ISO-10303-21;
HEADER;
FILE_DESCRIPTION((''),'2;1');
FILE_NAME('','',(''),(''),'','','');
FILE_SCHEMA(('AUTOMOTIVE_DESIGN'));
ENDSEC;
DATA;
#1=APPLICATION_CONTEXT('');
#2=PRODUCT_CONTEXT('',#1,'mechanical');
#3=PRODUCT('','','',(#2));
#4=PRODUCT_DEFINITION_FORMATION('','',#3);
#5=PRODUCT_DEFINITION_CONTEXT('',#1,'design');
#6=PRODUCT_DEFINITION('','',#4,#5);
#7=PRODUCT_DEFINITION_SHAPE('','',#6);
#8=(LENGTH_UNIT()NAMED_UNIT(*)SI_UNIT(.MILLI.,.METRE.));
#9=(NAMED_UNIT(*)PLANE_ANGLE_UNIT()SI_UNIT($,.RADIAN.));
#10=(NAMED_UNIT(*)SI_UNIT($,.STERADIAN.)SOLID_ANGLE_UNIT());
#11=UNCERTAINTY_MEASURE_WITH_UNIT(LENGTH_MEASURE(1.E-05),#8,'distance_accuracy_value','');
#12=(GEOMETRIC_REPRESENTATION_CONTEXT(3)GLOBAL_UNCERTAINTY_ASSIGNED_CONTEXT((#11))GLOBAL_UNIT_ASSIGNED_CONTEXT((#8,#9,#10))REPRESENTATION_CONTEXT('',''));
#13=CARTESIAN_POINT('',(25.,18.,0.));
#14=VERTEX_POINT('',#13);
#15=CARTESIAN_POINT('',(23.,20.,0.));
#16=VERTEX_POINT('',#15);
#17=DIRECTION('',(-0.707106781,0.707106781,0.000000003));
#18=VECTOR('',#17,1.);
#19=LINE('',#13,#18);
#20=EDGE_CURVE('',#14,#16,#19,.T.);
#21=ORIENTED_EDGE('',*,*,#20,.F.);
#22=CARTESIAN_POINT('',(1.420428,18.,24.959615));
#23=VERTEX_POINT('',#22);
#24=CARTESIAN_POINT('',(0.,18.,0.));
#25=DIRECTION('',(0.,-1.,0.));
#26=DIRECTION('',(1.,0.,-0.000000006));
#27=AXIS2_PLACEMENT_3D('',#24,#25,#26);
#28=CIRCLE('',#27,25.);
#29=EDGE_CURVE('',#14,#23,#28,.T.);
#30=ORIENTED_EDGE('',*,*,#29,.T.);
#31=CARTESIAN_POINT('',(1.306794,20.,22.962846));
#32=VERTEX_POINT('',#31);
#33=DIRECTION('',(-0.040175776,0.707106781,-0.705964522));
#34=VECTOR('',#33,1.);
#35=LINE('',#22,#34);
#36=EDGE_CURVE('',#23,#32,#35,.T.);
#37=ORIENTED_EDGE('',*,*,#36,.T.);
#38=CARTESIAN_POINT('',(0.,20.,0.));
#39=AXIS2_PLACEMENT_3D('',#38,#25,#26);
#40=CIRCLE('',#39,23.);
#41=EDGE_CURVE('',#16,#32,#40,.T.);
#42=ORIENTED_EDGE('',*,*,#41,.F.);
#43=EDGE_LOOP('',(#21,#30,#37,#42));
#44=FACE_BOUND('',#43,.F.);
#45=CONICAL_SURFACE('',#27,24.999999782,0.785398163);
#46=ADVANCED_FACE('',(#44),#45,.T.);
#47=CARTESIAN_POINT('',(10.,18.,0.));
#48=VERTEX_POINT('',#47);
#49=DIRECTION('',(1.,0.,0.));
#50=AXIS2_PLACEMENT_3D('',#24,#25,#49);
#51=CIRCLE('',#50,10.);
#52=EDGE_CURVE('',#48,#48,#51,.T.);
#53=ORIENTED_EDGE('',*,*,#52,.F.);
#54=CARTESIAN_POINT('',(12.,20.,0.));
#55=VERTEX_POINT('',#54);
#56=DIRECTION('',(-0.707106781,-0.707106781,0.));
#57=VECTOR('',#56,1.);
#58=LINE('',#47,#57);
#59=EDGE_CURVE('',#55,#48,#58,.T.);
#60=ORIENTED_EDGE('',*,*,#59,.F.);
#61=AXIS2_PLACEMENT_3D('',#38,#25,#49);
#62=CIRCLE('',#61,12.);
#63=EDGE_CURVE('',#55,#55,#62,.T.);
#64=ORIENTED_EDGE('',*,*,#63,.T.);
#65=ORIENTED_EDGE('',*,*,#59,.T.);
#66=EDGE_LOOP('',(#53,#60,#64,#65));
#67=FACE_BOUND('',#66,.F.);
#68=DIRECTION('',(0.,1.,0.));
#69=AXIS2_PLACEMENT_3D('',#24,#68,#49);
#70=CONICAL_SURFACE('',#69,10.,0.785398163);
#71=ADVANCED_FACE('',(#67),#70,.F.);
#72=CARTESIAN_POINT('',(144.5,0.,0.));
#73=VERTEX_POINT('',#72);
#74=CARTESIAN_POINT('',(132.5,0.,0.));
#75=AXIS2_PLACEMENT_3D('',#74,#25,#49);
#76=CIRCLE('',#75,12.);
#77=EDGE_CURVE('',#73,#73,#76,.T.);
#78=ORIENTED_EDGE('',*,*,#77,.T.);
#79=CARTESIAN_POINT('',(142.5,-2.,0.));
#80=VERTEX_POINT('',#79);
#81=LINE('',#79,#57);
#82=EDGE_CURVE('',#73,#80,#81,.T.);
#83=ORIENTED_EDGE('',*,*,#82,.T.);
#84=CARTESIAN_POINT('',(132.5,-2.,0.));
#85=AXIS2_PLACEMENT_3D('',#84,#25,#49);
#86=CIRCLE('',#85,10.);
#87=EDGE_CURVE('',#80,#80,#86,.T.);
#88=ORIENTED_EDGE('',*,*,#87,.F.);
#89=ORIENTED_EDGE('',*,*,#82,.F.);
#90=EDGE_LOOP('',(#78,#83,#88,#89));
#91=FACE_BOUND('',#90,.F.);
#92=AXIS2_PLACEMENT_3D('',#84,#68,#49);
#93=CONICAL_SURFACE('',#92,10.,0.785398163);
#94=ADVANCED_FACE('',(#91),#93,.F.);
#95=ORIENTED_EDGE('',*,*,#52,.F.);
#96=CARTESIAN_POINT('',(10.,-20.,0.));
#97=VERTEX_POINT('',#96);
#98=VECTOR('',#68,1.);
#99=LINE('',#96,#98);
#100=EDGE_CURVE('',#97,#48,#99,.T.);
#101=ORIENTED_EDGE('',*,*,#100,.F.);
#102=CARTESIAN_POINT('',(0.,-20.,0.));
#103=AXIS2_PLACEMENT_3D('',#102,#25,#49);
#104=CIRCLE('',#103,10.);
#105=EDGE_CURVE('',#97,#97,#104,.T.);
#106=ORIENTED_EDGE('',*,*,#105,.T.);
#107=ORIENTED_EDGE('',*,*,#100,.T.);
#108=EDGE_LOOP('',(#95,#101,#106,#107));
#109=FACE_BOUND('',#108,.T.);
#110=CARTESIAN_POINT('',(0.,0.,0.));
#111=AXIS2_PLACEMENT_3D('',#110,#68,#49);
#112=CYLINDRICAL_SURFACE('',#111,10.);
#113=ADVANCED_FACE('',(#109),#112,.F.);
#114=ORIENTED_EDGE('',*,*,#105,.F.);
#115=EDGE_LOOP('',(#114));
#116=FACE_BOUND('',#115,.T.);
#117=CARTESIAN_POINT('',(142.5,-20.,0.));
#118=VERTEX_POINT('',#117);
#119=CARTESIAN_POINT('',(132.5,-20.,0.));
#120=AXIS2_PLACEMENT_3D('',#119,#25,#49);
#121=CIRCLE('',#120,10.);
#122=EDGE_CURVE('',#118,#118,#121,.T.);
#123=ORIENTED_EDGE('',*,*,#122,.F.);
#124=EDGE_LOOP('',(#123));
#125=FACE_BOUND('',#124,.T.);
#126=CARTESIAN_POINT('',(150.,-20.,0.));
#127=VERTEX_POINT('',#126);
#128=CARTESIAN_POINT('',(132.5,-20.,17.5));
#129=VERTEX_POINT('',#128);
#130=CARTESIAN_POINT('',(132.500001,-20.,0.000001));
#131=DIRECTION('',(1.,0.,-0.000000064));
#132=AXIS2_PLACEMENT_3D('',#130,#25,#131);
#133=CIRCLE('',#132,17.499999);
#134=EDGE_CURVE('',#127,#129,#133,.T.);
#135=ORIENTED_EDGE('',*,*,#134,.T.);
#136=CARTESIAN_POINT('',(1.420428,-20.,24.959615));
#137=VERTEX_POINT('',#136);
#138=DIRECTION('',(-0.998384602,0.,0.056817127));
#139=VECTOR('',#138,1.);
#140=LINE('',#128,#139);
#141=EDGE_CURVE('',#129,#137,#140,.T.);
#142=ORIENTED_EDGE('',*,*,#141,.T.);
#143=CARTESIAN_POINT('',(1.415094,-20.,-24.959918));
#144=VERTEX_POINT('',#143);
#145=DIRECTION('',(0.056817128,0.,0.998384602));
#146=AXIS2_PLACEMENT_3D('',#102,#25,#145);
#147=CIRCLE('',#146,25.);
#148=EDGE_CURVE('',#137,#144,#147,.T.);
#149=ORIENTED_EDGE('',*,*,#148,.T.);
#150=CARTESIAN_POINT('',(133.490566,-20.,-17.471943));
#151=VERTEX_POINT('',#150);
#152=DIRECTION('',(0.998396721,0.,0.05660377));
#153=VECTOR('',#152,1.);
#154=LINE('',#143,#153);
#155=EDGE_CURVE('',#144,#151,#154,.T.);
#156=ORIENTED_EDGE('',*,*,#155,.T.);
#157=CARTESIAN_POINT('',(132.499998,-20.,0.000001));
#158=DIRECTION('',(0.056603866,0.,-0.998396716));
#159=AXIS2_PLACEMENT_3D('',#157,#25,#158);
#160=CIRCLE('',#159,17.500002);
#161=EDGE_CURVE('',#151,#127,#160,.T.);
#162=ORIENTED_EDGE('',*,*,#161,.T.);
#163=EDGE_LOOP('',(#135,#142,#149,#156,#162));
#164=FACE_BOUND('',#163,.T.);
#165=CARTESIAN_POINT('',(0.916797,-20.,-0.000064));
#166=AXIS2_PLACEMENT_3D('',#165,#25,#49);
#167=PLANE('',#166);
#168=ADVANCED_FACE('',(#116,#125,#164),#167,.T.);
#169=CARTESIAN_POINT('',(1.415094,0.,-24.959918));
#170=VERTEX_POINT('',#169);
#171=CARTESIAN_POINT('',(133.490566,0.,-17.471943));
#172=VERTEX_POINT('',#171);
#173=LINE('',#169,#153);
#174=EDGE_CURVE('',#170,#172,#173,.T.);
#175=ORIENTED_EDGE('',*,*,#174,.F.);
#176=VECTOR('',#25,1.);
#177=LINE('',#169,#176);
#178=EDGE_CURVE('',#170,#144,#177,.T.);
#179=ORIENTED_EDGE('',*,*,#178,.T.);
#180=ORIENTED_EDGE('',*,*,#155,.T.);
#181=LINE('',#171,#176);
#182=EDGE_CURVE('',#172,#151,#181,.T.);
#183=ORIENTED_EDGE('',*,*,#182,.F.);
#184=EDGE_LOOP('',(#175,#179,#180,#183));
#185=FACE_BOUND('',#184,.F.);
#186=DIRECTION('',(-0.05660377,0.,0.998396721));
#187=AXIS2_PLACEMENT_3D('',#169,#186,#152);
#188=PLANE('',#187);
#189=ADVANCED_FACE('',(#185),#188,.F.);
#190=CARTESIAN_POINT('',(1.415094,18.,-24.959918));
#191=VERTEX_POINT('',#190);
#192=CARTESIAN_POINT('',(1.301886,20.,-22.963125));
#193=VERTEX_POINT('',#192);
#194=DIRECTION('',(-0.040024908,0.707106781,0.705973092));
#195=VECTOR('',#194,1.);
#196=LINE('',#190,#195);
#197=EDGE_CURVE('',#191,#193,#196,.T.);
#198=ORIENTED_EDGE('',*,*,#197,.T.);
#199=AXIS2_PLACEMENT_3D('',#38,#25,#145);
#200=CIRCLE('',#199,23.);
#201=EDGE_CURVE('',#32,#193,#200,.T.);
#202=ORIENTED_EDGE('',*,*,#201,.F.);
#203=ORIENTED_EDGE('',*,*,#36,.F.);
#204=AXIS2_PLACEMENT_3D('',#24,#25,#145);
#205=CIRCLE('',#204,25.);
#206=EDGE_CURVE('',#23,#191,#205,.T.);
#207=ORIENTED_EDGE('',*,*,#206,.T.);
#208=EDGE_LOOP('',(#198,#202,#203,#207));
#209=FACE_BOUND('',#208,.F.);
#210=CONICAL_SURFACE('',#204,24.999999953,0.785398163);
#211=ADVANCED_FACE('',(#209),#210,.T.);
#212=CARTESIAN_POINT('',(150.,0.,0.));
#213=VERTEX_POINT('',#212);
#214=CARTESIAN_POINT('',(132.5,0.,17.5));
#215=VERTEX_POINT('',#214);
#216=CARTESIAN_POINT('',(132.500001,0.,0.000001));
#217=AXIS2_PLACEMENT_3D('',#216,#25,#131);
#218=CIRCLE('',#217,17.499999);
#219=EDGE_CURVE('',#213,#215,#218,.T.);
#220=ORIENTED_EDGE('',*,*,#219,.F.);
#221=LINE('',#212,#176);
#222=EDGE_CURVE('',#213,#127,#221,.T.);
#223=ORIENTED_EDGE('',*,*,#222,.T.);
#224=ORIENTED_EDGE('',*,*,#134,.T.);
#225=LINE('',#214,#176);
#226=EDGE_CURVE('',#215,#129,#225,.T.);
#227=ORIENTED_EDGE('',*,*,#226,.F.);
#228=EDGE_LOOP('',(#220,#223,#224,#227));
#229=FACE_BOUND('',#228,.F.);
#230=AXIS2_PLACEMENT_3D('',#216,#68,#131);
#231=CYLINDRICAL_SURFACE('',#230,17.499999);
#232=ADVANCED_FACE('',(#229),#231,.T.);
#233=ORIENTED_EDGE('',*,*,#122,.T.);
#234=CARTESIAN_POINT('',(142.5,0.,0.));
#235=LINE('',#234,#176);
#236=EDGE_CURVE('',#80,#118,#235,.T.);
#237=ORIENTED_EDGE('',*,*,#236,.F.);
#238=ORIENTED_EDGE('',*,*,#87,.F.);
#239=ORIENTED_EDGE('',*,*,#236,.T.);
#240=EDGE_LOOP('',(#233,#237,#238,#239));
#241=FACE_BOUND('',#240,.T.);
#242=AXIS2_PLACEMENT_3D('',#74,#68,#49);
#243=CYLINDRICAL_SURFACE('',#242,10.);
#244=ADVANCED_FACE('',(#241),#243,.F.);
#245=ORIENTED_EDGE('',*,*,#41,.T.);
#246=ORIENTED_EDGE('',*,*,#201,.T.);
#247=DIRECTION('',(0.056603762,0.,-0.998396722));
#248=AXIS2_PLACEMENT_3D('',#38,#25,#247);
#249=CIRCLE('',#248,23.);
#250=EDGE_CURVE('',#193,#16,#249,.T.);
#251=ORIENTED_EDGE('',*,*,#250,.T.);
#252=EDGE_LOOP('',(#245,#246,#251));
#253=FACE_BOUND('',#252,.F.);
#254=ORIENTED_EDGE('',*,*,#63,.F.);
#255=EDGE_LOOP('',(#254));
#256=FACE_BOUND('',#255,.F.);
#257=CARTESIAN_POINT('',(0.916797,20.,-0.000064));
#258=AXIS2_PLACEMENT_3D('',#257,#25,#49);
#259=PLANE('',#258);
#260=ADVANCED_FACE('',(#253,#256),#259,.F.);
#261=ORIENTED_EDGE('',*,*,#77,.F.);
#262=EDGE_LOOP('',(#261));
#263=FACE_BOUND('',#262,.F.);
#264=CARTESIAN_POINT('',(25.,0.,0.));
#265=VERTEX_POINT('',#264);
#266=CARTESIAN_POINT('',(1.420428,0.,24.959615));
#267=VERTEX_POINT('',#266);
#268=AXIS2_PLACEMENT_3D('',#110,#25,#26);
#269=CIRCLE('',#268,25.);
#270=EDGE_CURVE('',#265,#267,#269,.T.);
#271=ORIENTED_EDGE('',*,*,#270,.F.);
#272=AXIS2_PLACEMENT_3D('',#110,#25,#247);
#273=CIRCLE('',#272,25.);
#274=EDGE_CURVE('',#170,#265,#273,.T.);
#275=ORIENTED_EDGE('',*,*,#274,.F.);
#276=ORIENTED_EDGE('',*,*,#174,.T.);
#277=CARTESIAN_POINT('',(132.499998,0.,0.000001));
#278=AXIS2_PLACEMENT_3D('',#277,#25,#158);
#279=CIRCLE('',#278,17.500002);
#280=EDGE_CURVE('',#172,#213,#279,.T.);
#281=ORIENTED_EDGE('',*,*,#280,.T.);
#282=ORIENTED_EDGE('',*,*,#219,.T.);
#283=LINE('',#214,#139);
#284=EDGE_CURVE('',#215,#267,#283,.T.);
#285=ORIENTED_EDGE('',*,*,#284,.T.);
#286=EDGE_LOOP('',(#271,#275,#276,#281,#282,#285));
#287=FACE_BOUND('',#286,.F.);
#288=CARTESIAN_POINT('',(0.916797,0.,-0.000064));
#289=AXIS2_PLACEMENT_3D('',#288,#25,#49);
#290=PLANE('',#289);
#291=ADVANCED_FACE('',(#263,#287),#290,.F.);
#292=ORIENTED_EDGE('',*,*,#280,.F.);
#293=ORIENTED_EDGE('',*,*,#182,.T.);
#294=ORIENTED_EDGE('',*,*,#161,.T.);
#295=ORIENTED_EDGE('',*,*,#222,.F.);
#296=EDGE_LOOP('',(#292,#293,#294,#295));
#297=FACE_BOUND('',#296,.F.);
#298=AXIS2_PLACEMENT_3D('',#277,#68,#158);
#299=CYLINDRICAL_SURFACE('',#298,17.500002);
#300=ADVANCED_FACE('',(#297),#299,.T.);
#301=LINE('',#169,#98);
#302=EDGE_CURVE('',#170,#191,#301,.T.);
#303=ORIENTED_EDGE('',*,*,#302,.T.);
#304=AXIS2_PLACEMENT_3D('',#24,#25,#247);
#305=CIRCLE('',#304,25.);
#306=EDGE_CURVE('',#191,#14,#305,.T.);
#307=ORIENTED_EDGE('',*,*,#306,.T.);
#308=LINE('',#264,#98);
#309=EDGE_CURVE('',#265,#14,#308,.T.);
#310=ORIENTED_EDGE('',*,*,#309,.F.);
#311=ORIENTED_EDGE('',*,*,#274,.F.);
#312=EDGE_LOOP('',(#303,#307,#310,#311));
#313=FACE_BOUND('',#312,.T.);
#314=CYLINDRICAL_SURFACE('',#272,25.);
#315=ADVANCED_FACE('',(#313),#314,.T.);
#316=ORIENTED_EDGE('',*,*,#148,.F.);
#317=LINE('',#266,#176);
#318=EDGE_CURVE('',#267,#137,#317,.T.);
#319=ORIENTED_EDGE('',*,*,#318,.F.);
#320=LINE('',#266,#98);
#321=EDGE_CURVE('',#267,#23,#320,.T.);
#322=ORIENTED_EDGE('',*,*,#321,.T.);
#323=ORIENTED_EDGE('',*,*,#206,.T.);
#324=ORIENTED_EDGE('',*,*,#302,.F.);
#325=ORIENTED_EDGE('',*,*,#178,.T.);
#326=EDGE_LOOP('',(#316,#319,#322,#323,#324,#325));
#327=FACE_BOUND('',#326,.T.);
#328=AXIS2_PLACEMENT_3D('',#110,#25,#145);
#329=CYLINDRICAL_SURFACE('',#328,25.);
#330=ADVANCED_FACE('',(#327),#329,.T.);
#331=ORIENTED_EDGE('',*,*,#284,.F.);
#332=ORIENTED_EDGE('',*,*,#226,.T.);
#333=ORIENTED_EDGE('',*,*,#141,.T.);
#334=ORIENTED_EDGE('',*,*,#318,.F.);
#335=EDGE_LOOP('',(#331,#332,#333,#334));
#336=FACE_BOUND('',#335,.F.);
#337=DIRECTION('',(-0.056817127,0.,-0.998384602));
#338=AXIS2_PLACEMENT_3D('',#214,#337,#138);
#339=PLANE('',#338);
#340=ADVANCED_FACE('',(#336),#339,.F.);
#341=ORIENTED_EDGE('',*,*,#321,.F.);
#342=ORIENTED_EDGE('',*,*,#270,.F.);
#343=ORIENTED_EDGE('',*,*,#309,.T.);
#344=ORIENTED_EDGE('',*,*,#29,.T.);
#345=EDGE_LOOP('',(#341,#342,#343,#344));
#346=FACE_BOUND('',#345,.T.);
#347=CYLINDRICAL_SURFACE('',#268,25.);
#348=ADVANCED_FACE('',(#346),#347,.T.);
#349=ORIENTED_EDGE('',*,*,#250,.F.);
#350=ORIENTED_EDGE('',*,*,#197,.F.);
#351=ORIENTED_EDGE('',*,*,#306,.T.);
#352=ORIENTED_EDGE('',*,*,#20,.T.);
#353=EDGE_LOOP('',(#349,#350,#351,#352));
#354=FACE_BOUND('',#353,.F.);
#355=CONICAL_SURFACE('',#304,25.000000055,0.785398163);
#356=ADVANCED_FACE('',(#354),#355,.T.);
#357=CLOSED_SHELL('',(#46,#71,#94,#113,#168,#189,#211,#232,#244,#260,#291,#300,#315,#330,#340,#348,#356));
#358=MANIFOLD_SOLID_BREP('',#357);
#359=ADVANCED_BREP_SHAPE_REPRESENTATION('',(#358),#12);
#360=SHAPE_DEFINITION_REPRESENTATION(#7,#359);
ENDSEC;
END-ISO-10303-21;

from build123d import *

# Parameters (mm, degrees)
F0_R     = 10
F1_DEPTH = 20
F2_DEPTH = 20
F3_SIZE  = 2


with BuildPart() as f1:
    # F0 (on Front) → F1 (new body)
    with BuildSketch(Plane.XZ):
        with BuildLine():
            ThreePointArc((1.415094, -24.959918), (18.171095, -17.17007), (25, 0))
            ThreePointArc((25, 0), (18.172929, 17.168129), (1.420428, 24.959615))
            ThreePointArc((1.420428, 24.959615), (-25, 0.002671), (1.415094, -24.959918))
        make_face()
        Circle(F0_R, mode=Mode.SUBTRACT)
        with BuildLine():
            ThreePointArc((1.420428, 24.959615), (18.172929, 17.168129), (25, 0))
            ThreePointArc((25, 0), (18.171095, -17.17007), (1.415094, -24.959918))
            Line((1.415094, -24.959918), (133.490566, -17.471943))
            ThreePointArc((133.490566, -17.471943), (115.007016, -0.495482), (132.5, 17.5))
            Line((132.5, 17.5), (1.420428, 24.959615))
        make_face()
        with BuildLine():
            ThreePointArc((150, 0), (144.874369, 12.374369), (132.5, 17.5))
            ThreePointArc((132.5, 17.5), (115.007016, -0.495482), (133.490566, -17.471943))
            ThreePointArc((133.490566, -17.471943), (145.219766, -12.019049), (150, 0))
        make_face()
        with Locations((132.5, 0)):
            Circle(F0_R, mode=Mode.SUBTRACT)
    extrude(amount=F1_DEPTH)

    # F0 (on Front) → F2 (join)
    with BuildSketch(Plane.XZ):
        with BuildLine():
            ThreePointArc((1.415094, -24.959918), (18.171095, -17.17007), (25, 0))
            ThreePointArc((25, 0), (18.172929, 17.168129), (1.420428, 24.959615))
            ThreePointArc((1.420428, 24.959615), (-25, 0.002671), (1.415094, -24.959918))
        make_face()
        Circle(F0_R, mode=Mode.SUBTRACT)
    extrude(amount=-F2_DEPTH)

    # F3
    f3_edges = [f1.edges().sort_by_distance(p)[0] for p in [
        (-10, 20, 0),
        (-1.415094, 20, 24.959918),
        (122.5, 0, 0),
    ]]
    chamfer(f3_edges, length=F3_SIZE)


solid = f1.part
